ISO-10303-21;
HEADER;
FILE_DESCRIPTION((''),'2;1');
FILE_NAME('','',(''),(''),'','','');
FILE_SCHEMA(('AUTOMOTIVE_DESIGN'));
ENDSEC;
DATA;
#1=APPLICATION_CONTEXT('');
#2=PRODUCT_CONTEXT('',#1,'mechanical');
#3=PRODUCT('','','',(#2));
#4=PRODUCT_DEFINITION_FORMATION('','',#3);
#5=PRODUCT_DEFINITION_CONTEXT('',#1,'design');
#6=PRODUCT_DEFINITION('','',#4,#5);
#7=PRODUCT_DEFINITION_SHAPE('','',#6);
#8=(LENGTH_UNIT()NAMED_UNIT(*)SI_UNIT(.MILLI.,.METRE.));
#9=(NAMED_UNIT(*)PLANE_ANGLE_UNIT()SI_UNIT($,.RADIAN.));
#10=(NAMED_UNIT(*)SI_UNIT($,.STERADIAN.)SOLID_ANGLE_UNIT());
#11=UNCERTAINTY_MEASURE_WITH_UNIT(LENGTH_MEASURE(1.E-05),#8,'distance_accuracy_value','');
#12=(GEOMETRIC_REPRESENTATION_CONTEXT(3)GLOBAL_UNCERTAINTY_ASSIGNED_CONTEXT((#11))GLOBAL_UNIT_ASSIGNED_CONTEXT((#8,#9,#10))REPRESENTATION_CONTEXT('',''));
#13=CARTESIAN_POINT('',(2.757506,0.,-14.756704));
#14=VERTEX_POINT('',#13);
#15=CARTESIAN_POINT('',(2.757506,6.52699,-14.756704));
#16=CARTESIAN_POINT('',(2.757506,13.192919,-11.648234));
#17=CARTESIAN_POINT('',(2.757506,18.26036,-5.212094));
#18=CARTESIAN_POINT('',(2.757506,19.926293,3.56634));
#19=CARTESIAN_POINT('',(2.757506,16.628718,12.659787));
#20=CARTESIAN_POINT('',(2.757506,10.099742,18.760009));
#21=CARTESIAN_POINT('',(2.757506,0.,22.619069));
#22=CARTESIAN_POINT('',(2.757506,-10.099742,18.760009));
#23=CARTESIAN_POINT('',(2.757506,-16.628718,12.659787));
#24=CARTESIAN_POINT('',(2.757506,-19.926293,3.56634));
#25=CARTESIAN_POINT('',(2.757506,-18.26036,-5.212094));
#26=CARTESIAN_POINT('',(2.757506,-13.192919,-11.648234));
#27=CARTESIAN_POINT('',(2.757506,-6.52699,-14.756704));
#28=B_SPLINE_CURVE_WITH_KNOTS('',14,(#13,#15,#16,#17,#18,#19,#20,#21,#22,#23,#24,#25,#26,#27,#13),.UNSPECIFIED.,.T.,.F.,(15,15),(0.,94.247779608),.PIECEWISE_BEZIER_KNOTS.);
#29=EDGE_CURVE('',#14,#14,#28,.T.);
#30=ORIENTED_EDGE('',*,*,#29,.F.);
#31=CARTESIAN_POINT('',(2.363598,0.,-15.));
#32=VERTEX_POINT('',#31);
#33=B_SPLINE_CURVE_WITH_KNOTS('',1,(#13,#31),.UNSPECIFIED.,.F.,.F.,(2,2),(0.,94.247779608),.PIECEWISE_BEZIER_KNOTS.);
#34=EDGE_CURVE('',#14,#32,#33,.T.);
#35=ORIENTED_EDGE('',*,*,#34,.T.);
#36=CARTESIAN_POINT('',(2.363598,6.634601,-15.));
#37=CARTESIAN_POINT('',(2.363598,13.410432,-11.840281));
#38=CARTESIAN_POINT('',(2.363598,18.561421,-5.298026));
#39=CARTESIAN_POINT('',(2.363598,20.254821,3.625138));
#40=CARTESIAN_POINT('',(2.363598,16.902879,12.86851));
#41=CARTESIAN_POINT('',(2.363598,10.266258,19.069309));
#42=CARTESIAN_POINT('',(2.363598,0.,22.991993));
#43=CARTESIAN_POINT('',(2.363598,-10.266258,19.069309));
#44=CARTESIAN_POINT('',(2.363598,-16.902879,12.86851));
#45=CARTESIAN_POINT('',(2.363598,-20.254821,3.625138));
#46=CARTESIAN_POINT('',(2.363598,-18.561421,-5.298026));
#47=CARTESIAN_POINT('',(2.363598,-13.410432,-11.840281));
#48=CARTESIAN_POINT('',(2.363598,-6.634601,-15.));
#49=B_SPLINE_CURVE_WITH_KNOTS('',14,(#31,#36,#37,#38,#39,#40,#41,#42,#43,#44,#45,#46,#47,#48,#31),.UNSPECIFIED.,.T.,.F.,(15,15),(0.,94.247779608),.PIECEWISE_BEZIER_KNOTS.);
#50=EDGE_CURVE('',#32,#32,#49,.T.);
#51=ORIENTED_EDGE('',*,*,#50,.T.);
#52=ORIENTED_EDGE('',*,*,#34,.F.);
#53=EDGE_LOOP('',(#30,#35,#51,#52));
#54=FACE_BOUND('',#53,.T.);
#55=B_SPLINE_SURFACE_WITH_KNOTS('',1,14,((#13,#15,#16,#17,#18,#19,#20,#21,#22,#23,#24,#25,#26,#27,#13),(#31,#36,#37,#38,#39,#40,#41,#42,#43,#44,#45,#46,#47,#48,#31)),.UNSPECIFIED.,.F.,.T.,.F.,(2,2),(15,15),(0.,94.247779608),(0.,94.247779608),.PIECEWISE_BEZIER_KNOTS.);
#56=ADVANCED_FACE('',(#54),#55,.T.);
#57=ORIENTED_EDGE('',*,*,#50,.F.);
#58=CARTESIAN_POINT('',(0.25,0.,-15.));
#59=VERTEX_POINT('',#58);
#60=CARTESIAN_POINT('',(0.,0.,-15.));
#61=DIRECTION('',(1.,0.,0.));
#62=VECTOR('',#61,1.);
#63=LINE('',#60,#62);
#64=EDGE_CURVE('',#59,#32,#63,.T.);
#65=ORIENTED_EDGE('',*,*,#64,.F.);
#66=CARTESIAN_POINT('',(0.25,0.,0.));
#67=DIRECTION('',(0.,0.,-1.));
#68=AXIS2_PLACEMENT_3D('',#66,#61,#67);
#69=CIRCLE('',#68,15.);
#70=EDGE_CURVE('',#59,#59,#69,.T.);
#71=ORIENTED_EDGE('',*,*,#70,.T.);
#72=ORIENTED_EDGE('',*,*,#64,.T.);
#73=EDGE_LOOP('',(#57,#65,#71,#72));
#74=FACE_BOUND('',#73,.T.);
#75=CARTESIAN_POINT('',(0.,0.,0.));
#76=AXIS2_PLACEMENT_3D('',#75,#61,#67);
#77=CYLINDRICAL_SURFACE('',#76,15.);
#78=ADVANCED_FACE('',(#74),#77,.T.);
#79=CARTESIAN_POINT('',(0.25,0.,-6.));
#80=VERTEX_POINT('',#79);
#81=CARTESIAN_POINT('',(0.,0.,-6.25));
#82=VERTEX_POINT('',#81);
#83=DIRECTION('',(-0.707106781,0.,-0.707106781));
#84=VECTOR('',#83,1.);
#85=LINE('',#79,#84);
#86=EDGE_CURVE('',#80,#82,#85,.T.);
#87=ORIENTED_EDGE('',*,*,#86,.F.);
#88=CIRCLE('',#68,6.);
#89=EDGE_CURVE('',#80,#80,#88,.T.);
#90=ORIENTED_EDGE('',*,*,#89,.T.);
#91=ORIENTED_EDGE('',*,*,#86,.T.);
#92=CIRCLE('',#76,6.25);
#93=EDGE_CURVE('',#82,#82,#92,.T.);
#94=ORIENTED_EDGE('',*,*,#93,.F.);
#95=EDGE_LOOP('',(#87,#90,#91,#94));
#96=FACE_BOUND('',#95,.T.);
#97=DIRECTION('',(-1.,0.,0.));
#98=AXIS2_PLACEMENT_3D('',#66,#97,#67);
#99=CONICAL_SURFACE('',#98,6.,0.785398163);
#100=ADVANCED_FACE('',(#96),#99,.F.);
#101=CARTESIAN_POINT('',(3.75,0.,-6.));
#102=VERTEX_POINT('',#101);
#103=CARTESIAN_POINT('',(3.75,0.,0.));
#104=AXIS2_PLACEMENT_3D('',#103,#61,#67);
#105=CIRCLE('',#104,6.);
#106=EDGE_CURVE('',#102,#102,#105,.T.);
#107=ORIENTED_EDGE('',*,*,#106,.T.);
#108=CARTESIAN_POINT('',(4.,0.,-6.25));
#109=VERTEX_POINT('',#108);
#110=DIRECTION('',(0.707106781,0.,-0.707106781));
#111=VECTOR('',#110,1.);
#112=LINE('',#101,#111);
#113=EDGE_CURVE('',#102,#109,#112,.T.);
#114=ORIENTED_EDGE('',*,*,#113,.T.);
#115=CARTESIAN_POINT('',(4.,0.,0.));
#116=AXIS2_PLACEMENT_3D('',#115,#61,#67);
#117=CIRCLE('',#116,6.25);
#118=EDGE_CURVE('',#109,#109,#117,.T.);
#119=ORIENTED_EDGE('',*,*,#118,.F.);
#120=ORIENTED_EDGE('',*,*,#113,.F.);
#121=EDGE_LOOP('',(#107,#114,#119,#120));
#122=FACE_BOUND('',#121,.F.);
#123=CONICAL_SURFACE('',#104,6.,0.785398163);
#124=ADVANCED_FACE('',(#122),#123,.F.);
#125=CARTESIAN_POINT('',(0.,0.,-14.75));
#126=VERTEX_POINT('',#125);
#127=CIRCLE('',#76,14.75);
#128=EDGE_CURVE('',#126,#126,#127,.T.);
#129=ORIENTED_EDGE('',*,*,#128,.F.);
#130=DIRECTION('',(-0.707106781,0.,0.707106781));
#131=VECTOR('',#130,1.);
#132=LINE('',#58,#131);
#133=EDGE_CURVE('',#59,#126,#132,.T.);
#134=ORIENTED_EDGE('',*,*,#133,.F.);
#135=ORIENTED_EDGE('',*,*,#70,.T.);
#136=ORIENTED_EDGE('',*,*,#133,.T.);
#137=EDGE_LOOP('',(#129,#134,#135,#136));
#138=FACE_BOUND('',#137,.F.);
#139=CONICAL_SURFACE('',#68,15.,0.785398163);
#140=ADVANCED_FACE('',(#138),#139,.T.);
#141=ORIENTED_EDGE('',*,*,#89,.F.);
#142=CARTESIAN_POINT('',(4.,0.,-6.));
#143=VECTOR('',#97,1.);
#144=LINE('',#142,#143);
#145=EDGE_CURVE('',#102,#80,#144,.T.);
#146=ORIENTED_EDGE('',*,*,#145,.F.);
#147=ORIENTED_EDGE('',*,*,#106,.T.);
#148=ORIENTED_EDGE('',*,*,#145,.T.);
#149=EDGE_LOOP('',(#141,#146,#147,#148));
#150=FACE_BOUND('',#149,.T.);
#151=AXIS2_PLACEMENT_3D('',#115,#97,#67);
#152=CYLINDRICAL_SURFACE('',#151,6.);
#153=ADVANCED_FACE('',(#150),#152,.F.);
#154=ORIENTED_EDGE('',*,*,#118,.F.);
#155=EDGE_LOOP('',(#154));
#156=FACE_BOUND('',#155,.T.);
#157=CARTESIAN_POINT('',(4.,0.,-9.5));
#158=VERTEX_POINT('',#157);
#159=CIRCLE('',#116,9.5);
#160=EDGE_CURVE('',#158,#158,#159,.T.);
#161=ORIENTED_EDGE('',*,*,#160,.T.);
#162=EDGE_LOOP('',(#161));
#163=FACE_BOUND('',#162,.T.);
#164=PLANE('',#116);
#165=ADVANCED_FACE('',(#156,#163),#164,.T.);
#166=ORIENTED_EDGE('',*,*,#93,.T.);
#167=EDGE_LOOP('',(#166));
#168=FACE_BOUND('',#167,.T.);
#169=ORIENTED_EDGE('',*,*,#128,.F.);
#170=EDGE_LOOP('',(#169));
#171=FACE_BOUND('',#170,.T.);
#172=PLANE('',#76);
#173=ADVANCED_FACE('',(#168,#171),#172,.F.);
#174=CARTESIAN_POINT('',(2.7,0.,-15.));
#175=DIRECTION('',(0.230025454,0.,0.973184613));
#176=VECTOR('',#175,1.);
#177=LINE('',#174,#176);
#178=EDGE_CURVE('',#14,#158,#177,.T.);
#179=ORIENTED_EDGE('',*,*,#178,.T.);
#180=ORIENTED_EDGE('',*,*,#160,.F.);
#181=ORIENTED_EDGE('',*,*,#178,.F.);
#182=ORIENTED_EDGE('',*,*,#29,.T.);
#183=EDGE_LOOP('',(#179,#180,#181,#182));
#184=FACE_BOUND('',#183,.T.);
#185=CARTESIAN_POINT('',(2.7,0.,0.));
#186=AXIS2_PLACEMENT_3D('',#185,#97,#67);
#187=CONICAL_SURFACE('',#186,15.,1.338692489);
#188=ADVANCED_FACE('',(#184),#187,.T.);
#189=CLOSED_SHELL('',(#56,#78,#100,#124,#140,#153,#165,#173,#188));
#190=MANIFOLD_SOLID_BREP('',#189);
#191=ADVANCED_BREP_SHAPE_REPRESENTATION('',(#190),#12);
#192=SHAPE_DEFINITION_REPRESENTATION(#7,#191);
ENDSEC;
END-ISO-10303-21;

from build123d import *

# Parameters (mm, degrees)
CHAMFER1_SIZE         = 0.25
CHAMFER1_EDGE_2_SIZE  = 0.25
CHAMFER1_EDGE_3_SIZE2 = 0.336401694
CHAMFER1_EDGE_3_SIZE  = 0.25
CHAMFER1_EDGE_4_SIZE  = 0.25


with BuildPart() as part:
    # Sketch1 → Revolve1 (revolve)
    with BuildSketch(Plane(origin=(0, 0, 0), x_dir=(1, 0, 0), z_dir=(0, 1, 0))):
        Polygon((2.7, 15), (4, 9.5), (4, 6), (0, 6), (0, 15), align=None)
    revolve(axis=Axis((0, 0, 0), (1, 0, 0)))

    # Chamfer1
    chamfer1_edges = [part.edges().sort_by_distance(p)[0] for p in [
        (0, 0, 6),
    ]]
    chamfer(chamfer1_edges, length=CHAMFER1_SIZE)

    # Chamfer1 edge 2
    chamfer1_edge_2_edges = [part.edges().sort_by_distance(p)[0] for p in [
        (4, 0, 6),
    ]]
    chamfer(chamfer1_edge_2_edges, length=CHAMFER1_EDGE_2_SIZE)

    # Chamfer1 edge 3
    chamfer1_edge_3_edges = [part.edges().sort_by_distance(p)[0] for p in [
        (2.7, 0, 15),
    ]]
    chamfer(chamfer1_edge_3_edges, length=CHAMFER1_EDGE_3_SIZE, length2=CHAMFER1_EDGE_3_SIZE2)

    # Chamfer1 edge 4
    chamfer1_edge_4_edges = [part.edges().sort_by_distance(p)[0] for p in [
        (0, 0, 15),
    ]]
    chamfer(chamfer1_edge_4_edges, length=CHAMFER1_EDGE_4_SIZE)


solid = part.part
